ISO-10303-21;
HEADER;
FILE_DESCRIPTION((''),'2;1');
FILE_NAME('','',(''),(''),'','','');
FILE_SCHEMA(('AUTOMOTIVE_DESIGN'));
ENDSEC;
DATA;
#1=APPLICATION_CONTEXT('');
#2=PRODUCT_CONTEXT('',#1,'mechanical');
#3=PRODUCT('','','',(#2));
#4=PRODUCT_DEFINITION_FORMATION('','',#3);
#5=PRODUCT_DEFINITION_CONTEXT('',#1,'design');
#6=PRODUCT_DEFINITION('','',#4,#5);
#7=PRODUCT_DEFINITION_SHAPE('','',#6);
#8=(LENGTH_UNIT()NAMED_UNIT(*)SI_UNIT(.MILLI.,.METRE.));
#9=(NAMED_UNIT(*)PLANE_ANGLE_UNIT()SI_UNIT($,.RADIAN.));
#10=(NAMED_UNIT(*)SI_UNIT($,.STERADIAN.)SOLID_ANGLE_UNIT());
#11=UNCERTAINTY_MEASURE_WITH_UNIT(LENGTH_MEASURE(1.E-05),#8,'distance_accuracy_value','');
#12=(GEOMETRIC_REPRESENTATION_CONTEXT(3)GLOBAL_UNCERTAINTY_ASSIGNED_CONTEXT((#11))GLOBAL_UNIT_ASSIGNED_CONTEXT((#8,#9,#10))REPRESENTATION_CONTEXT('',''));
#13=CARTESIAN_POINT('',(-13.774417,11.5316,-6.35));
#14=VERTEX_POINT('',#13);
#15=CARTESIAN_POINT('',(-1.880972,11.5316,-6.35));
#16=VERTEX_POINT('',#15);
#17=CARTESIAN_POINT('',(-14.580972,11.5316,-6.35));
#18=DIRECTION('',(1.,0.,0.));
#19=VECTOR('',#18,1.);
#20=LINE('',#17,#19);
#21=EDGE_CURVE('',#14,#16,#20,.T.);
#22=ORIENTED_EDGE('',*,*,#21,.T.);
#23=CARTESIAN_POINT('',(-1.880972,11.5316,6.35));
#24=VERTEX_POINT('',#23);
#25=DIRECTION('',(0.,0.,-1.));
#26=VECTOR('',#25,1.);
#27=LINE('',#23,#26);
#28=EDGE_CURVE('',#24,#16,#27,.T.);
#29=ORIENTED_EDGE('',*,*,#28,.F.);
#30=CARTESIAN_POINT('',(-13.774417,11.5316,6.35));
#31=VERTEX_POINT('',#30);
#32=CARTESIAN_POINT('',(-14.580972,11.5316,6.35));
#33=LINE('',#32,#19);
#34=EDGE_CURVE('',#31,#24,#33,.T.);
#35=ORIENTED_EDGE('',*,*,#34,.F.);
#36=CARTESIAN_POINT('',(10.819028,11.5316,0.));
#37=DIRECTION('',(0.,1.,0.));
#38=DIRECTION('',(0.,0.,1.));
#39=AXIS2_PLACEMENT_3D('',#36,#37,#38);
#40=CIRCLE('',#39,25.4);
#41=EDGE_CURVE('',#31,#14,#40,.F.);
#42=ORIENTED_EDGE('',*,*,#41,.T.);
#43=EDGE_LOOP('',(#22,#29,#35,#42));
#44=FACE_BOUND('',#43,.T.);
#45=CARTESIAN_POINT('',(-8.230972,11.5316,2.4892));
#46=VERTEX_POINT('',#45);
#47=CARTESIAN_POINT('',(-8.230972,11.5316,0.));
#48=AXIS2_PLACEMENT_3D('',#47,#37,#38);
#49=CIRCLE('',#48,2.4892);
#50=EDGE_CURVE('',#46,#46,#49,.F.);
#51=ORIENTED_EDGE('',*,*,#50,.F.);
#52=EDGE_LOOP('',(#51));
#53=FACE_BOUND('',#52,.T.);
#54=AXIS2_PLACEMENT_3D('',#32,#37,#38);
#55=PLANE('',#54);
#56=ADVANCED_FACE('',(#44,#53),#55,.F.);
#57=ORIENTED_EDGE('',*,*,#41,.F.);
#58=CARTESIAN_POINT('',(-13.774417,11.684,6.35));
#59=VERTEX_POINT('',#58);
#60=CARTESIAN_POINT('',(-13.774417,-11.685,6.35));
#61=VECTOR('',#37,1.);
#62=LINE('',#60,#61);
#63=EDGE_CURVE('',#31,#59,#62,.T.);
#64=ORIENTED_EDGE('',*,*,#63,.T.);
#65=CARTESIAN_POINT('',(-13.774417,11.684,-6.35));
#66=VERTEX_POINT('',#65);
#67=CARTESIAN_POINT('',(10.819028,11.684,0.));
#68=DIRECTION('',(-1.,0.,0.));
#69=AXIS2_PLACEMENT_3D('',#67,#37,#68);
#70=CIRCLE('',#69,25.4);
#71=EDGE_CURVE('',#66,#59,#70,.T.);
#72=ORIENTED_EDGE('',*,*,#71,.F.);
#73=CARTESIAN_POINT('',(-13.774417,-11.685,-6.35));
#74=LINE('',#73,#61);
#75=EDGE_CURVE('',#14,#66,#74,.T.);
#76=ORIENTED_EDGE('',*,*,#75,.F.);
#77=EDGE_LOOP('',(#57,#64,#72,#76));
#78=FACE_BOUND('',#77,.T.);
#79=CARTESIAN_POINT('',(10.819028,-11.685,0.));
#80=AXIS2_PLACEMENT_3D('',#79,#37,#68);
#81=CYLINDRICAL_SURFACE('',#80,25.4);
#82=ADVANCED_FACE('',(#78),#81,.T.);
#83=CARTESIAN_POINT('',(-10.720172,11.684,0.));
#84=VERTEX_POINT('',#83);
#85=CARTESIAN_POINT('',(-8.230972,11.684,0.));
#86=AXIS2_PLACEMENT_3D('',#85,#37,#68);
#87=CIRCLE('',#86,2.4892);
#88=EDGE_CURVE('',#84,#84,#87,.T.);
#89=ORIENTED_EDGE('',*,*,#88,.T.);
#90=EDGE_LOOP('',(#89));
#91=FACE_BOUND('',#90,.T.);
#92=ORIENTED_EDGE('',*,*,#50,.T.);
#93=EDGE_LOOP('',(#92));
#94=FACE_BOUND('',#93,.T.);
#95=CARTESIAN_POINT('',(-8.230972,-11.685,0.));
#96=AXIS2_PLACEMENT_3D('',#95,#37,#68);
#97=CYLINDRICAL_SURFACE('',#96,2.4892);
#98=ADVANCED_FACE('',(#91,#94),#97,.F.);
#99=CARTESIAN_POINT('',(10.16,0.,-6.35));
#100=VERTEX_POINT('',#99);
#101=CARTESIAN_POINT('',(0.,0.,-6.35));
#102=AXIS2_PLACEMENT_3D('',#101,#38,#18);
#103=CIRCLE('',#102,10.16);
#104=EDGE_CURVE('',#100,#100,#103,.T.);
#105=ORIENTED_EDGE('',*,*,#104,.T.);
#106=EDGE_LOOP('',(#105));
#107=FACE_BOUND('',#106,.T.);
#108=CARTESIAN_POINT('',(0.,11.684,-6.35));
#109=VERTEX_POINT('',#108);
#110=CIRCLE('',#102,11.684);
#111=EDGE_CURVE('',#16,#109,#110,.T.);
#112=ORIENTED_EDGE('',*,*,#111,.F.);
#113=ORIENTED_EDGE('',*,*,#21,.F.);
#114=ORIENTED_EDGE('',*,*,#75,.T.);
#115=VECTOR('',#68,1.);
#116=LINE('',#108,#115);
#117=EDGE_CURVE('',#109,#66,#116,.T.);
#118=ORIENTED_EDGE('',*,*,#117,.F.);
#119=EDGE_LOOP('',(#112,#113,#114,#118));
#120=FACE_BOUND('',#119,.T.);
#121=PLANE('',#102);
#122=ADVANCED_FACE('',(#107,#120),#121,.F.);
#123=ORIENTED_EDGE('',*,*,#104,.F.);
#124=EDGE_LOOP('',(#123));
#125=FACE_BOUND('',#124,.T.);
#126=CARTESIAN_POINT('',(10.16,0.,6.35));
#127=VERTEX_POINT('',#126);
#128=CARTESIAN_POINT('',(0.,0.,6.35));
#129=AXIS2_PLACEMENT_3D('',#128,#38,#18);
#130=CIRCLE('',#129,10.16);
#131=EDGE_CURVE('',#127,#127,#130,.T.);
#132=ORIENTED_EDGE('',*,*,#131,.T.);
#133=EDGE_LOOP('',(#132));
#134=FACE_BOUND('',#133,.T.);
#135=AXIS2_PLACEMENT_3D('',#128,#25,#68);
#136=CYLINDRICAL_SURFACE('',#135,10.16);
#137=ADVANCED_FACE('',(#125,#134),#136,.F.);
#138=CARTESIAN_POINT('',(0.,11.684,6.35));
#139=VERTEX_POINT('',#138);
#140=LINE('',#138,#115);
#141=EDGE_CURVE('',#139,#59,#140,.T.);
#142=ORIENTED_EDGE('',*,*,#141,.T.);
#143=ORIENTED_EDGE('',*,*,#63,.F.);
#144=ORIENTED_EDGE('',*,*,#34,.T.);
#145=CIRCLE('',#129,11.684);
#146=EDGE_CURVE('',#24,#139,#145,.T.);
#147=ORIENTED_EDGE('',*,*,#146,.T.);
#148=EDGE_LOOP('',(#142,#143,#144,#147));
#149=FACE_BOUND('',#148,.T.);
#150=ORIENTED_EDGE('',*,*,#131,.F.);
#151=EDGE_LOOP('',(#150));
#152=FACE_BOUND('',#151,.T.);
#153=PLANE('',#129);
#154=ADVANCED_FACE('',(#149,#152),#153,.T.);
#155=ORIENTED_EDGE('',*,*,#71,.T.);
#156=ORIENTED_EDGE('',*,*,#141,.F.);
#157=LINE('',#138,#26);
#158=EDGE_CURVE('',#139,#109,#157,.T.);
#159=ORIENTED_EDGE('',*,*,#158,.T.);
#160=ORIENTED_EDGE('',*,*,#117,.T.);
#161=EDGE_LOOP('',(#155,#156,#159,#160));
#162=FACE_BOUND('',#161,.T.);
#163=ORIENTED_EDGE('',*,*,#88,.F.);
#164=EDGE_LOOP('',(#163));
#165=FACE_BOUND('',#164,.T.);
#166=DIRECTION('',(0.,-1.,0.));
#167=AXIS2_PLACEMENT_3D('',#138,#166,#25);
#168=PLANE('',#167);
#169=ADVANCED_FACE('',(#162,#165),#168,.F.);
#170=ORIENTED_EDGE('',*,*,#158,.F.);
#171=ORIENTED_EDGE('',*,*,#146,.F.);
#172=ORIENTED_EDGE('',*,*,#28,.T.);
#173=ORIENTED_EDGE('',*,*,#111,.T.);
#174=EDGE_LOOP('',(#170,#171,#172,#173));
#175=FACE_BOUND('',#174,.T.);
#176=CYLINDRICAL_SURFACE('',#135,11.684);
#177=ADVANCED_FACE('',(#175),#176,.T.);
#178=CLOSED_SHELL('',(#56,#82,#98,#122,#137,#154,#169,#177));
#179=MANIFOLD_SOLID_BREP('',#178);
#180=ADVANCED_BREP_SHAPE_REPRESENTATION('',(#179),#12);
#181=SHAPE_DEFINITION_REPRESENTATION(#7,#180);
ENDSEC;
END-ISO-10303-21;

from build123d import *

# Parameters (mm, degrees)
SKETCH1_R           = 10.16
BOSS_EXTRUDE1_DEPTH = 6.35
CUT_EXTRUDE1_REACH  = 25.368
SKETCH2_R           = 2.4892


with BuildPart() as part:
    # Sketch1 → Boss-Extrude1 (new body, symmetric)
    with BuildSketch(Plane.XY):
        with BuildLine():
            Line((0, 11.684), (-14.580972472, 11.684))
            Line((-14.580972472, 11.684), (-14.580972472, 11.5316))
            Line((-14.580972472, 11.5316), (-1.880972472, 11.5316))
            ThreePointArc((-1.880972472, 11.5316), (0.943568122, -11.645837677), (0, 11.684))
        make_face()
        Circle(SKETCH1_R, mode=Mode.SUBTRACT)
    extrude(amount=BOSS_EXTRUDE1_DEPTH, both=True)

    # Sketch2 → Cut-Extrude1 (cut, up to next)
    with BuildSketch(Plane(origin=(0, 11.684, 0), x_dir=(1, 0, 0), z_dir=(0, 1, 0)), mode=Mode.PRIVATE) as cut_extrude1_sk1:
        with Locations((-8.230972472, 0)):
            Circle(SKETCH2_R)
    cut_extrude1_tool1 = extrude(cut_extrude1_sk1.sketch, amount=-CUT_EXTRUDE1_REACH, mode=Mode.PRIVATE) & part.part
    add(cut_extrude1_tool1.solids().sort_by_distance((-8.230972, 11.684, 0))[0], mode=Mode.SUBTRACT)
    # Sketch2 → Cut-Extrude1 (cut, up to next)
    with BuildSketch(Plane(origin=(0, 11.684, 0), x_dir=(1, 0, 0), z_dir=(0, 1, 0)), mode=Mode.PRIVATE) as cut_extrude1_sk2:
        with BuildLine():
            ThreePointArc((-14.580972472, 0), (-14.378526757, 3.200509029), (-13.77441672, 6.35))
            Line((-13.77441672, 6.35), (-14.580972472, 6.35))
            Line((-14.580972472, 6.35), (-14.580972472, 0))
        make_face()
    cut_extrude1_tool2 = extrude(cut_extrude1_sk2.sketch, amount=-CUT_EXTRUDE1_REACH, mode=Mode.PRIVATE) & part.part
    add(cut_extrude1_tool2.solids().sort_by_distance((-14.339679, 11.684, -4.767585))[0], mode=Mode.SUBTRACT)
    # Sketch2 → Cut-Extrude1 (cut, up to next)
    with BuildSketch(Plane(origin=(0, 11.684, 0), x_dir=(1, 0, 0), z_dir=(0, 1, 0)), mode=Mode.PRIVATE) as cut_extrude1_sk3:
        with BuildLine():
            ThreePointArc((-13.77441672, -6.35), (-14.378526757, -3.200509029), (-14.580972472, 0))
            Line((-14.580972472, 0), (-14.580972472, -6.35))
            Line((-14.580972472, -6.35), (-13.77441672, -6.35))
        make_face()
    cut_extrude1_tool3 = extrude(cut_extrude1_sk3.sketch, amount=-CUT_EXTRUDE1_REACH, mode=Mode.PRIVATE) & part.part
    add(cut_extrude1_tool3.solids().sort_by_distance((-14.339679, 11.684, 4.767585))[0], mode=Mode.SUBTRACT)


solid = part.part
